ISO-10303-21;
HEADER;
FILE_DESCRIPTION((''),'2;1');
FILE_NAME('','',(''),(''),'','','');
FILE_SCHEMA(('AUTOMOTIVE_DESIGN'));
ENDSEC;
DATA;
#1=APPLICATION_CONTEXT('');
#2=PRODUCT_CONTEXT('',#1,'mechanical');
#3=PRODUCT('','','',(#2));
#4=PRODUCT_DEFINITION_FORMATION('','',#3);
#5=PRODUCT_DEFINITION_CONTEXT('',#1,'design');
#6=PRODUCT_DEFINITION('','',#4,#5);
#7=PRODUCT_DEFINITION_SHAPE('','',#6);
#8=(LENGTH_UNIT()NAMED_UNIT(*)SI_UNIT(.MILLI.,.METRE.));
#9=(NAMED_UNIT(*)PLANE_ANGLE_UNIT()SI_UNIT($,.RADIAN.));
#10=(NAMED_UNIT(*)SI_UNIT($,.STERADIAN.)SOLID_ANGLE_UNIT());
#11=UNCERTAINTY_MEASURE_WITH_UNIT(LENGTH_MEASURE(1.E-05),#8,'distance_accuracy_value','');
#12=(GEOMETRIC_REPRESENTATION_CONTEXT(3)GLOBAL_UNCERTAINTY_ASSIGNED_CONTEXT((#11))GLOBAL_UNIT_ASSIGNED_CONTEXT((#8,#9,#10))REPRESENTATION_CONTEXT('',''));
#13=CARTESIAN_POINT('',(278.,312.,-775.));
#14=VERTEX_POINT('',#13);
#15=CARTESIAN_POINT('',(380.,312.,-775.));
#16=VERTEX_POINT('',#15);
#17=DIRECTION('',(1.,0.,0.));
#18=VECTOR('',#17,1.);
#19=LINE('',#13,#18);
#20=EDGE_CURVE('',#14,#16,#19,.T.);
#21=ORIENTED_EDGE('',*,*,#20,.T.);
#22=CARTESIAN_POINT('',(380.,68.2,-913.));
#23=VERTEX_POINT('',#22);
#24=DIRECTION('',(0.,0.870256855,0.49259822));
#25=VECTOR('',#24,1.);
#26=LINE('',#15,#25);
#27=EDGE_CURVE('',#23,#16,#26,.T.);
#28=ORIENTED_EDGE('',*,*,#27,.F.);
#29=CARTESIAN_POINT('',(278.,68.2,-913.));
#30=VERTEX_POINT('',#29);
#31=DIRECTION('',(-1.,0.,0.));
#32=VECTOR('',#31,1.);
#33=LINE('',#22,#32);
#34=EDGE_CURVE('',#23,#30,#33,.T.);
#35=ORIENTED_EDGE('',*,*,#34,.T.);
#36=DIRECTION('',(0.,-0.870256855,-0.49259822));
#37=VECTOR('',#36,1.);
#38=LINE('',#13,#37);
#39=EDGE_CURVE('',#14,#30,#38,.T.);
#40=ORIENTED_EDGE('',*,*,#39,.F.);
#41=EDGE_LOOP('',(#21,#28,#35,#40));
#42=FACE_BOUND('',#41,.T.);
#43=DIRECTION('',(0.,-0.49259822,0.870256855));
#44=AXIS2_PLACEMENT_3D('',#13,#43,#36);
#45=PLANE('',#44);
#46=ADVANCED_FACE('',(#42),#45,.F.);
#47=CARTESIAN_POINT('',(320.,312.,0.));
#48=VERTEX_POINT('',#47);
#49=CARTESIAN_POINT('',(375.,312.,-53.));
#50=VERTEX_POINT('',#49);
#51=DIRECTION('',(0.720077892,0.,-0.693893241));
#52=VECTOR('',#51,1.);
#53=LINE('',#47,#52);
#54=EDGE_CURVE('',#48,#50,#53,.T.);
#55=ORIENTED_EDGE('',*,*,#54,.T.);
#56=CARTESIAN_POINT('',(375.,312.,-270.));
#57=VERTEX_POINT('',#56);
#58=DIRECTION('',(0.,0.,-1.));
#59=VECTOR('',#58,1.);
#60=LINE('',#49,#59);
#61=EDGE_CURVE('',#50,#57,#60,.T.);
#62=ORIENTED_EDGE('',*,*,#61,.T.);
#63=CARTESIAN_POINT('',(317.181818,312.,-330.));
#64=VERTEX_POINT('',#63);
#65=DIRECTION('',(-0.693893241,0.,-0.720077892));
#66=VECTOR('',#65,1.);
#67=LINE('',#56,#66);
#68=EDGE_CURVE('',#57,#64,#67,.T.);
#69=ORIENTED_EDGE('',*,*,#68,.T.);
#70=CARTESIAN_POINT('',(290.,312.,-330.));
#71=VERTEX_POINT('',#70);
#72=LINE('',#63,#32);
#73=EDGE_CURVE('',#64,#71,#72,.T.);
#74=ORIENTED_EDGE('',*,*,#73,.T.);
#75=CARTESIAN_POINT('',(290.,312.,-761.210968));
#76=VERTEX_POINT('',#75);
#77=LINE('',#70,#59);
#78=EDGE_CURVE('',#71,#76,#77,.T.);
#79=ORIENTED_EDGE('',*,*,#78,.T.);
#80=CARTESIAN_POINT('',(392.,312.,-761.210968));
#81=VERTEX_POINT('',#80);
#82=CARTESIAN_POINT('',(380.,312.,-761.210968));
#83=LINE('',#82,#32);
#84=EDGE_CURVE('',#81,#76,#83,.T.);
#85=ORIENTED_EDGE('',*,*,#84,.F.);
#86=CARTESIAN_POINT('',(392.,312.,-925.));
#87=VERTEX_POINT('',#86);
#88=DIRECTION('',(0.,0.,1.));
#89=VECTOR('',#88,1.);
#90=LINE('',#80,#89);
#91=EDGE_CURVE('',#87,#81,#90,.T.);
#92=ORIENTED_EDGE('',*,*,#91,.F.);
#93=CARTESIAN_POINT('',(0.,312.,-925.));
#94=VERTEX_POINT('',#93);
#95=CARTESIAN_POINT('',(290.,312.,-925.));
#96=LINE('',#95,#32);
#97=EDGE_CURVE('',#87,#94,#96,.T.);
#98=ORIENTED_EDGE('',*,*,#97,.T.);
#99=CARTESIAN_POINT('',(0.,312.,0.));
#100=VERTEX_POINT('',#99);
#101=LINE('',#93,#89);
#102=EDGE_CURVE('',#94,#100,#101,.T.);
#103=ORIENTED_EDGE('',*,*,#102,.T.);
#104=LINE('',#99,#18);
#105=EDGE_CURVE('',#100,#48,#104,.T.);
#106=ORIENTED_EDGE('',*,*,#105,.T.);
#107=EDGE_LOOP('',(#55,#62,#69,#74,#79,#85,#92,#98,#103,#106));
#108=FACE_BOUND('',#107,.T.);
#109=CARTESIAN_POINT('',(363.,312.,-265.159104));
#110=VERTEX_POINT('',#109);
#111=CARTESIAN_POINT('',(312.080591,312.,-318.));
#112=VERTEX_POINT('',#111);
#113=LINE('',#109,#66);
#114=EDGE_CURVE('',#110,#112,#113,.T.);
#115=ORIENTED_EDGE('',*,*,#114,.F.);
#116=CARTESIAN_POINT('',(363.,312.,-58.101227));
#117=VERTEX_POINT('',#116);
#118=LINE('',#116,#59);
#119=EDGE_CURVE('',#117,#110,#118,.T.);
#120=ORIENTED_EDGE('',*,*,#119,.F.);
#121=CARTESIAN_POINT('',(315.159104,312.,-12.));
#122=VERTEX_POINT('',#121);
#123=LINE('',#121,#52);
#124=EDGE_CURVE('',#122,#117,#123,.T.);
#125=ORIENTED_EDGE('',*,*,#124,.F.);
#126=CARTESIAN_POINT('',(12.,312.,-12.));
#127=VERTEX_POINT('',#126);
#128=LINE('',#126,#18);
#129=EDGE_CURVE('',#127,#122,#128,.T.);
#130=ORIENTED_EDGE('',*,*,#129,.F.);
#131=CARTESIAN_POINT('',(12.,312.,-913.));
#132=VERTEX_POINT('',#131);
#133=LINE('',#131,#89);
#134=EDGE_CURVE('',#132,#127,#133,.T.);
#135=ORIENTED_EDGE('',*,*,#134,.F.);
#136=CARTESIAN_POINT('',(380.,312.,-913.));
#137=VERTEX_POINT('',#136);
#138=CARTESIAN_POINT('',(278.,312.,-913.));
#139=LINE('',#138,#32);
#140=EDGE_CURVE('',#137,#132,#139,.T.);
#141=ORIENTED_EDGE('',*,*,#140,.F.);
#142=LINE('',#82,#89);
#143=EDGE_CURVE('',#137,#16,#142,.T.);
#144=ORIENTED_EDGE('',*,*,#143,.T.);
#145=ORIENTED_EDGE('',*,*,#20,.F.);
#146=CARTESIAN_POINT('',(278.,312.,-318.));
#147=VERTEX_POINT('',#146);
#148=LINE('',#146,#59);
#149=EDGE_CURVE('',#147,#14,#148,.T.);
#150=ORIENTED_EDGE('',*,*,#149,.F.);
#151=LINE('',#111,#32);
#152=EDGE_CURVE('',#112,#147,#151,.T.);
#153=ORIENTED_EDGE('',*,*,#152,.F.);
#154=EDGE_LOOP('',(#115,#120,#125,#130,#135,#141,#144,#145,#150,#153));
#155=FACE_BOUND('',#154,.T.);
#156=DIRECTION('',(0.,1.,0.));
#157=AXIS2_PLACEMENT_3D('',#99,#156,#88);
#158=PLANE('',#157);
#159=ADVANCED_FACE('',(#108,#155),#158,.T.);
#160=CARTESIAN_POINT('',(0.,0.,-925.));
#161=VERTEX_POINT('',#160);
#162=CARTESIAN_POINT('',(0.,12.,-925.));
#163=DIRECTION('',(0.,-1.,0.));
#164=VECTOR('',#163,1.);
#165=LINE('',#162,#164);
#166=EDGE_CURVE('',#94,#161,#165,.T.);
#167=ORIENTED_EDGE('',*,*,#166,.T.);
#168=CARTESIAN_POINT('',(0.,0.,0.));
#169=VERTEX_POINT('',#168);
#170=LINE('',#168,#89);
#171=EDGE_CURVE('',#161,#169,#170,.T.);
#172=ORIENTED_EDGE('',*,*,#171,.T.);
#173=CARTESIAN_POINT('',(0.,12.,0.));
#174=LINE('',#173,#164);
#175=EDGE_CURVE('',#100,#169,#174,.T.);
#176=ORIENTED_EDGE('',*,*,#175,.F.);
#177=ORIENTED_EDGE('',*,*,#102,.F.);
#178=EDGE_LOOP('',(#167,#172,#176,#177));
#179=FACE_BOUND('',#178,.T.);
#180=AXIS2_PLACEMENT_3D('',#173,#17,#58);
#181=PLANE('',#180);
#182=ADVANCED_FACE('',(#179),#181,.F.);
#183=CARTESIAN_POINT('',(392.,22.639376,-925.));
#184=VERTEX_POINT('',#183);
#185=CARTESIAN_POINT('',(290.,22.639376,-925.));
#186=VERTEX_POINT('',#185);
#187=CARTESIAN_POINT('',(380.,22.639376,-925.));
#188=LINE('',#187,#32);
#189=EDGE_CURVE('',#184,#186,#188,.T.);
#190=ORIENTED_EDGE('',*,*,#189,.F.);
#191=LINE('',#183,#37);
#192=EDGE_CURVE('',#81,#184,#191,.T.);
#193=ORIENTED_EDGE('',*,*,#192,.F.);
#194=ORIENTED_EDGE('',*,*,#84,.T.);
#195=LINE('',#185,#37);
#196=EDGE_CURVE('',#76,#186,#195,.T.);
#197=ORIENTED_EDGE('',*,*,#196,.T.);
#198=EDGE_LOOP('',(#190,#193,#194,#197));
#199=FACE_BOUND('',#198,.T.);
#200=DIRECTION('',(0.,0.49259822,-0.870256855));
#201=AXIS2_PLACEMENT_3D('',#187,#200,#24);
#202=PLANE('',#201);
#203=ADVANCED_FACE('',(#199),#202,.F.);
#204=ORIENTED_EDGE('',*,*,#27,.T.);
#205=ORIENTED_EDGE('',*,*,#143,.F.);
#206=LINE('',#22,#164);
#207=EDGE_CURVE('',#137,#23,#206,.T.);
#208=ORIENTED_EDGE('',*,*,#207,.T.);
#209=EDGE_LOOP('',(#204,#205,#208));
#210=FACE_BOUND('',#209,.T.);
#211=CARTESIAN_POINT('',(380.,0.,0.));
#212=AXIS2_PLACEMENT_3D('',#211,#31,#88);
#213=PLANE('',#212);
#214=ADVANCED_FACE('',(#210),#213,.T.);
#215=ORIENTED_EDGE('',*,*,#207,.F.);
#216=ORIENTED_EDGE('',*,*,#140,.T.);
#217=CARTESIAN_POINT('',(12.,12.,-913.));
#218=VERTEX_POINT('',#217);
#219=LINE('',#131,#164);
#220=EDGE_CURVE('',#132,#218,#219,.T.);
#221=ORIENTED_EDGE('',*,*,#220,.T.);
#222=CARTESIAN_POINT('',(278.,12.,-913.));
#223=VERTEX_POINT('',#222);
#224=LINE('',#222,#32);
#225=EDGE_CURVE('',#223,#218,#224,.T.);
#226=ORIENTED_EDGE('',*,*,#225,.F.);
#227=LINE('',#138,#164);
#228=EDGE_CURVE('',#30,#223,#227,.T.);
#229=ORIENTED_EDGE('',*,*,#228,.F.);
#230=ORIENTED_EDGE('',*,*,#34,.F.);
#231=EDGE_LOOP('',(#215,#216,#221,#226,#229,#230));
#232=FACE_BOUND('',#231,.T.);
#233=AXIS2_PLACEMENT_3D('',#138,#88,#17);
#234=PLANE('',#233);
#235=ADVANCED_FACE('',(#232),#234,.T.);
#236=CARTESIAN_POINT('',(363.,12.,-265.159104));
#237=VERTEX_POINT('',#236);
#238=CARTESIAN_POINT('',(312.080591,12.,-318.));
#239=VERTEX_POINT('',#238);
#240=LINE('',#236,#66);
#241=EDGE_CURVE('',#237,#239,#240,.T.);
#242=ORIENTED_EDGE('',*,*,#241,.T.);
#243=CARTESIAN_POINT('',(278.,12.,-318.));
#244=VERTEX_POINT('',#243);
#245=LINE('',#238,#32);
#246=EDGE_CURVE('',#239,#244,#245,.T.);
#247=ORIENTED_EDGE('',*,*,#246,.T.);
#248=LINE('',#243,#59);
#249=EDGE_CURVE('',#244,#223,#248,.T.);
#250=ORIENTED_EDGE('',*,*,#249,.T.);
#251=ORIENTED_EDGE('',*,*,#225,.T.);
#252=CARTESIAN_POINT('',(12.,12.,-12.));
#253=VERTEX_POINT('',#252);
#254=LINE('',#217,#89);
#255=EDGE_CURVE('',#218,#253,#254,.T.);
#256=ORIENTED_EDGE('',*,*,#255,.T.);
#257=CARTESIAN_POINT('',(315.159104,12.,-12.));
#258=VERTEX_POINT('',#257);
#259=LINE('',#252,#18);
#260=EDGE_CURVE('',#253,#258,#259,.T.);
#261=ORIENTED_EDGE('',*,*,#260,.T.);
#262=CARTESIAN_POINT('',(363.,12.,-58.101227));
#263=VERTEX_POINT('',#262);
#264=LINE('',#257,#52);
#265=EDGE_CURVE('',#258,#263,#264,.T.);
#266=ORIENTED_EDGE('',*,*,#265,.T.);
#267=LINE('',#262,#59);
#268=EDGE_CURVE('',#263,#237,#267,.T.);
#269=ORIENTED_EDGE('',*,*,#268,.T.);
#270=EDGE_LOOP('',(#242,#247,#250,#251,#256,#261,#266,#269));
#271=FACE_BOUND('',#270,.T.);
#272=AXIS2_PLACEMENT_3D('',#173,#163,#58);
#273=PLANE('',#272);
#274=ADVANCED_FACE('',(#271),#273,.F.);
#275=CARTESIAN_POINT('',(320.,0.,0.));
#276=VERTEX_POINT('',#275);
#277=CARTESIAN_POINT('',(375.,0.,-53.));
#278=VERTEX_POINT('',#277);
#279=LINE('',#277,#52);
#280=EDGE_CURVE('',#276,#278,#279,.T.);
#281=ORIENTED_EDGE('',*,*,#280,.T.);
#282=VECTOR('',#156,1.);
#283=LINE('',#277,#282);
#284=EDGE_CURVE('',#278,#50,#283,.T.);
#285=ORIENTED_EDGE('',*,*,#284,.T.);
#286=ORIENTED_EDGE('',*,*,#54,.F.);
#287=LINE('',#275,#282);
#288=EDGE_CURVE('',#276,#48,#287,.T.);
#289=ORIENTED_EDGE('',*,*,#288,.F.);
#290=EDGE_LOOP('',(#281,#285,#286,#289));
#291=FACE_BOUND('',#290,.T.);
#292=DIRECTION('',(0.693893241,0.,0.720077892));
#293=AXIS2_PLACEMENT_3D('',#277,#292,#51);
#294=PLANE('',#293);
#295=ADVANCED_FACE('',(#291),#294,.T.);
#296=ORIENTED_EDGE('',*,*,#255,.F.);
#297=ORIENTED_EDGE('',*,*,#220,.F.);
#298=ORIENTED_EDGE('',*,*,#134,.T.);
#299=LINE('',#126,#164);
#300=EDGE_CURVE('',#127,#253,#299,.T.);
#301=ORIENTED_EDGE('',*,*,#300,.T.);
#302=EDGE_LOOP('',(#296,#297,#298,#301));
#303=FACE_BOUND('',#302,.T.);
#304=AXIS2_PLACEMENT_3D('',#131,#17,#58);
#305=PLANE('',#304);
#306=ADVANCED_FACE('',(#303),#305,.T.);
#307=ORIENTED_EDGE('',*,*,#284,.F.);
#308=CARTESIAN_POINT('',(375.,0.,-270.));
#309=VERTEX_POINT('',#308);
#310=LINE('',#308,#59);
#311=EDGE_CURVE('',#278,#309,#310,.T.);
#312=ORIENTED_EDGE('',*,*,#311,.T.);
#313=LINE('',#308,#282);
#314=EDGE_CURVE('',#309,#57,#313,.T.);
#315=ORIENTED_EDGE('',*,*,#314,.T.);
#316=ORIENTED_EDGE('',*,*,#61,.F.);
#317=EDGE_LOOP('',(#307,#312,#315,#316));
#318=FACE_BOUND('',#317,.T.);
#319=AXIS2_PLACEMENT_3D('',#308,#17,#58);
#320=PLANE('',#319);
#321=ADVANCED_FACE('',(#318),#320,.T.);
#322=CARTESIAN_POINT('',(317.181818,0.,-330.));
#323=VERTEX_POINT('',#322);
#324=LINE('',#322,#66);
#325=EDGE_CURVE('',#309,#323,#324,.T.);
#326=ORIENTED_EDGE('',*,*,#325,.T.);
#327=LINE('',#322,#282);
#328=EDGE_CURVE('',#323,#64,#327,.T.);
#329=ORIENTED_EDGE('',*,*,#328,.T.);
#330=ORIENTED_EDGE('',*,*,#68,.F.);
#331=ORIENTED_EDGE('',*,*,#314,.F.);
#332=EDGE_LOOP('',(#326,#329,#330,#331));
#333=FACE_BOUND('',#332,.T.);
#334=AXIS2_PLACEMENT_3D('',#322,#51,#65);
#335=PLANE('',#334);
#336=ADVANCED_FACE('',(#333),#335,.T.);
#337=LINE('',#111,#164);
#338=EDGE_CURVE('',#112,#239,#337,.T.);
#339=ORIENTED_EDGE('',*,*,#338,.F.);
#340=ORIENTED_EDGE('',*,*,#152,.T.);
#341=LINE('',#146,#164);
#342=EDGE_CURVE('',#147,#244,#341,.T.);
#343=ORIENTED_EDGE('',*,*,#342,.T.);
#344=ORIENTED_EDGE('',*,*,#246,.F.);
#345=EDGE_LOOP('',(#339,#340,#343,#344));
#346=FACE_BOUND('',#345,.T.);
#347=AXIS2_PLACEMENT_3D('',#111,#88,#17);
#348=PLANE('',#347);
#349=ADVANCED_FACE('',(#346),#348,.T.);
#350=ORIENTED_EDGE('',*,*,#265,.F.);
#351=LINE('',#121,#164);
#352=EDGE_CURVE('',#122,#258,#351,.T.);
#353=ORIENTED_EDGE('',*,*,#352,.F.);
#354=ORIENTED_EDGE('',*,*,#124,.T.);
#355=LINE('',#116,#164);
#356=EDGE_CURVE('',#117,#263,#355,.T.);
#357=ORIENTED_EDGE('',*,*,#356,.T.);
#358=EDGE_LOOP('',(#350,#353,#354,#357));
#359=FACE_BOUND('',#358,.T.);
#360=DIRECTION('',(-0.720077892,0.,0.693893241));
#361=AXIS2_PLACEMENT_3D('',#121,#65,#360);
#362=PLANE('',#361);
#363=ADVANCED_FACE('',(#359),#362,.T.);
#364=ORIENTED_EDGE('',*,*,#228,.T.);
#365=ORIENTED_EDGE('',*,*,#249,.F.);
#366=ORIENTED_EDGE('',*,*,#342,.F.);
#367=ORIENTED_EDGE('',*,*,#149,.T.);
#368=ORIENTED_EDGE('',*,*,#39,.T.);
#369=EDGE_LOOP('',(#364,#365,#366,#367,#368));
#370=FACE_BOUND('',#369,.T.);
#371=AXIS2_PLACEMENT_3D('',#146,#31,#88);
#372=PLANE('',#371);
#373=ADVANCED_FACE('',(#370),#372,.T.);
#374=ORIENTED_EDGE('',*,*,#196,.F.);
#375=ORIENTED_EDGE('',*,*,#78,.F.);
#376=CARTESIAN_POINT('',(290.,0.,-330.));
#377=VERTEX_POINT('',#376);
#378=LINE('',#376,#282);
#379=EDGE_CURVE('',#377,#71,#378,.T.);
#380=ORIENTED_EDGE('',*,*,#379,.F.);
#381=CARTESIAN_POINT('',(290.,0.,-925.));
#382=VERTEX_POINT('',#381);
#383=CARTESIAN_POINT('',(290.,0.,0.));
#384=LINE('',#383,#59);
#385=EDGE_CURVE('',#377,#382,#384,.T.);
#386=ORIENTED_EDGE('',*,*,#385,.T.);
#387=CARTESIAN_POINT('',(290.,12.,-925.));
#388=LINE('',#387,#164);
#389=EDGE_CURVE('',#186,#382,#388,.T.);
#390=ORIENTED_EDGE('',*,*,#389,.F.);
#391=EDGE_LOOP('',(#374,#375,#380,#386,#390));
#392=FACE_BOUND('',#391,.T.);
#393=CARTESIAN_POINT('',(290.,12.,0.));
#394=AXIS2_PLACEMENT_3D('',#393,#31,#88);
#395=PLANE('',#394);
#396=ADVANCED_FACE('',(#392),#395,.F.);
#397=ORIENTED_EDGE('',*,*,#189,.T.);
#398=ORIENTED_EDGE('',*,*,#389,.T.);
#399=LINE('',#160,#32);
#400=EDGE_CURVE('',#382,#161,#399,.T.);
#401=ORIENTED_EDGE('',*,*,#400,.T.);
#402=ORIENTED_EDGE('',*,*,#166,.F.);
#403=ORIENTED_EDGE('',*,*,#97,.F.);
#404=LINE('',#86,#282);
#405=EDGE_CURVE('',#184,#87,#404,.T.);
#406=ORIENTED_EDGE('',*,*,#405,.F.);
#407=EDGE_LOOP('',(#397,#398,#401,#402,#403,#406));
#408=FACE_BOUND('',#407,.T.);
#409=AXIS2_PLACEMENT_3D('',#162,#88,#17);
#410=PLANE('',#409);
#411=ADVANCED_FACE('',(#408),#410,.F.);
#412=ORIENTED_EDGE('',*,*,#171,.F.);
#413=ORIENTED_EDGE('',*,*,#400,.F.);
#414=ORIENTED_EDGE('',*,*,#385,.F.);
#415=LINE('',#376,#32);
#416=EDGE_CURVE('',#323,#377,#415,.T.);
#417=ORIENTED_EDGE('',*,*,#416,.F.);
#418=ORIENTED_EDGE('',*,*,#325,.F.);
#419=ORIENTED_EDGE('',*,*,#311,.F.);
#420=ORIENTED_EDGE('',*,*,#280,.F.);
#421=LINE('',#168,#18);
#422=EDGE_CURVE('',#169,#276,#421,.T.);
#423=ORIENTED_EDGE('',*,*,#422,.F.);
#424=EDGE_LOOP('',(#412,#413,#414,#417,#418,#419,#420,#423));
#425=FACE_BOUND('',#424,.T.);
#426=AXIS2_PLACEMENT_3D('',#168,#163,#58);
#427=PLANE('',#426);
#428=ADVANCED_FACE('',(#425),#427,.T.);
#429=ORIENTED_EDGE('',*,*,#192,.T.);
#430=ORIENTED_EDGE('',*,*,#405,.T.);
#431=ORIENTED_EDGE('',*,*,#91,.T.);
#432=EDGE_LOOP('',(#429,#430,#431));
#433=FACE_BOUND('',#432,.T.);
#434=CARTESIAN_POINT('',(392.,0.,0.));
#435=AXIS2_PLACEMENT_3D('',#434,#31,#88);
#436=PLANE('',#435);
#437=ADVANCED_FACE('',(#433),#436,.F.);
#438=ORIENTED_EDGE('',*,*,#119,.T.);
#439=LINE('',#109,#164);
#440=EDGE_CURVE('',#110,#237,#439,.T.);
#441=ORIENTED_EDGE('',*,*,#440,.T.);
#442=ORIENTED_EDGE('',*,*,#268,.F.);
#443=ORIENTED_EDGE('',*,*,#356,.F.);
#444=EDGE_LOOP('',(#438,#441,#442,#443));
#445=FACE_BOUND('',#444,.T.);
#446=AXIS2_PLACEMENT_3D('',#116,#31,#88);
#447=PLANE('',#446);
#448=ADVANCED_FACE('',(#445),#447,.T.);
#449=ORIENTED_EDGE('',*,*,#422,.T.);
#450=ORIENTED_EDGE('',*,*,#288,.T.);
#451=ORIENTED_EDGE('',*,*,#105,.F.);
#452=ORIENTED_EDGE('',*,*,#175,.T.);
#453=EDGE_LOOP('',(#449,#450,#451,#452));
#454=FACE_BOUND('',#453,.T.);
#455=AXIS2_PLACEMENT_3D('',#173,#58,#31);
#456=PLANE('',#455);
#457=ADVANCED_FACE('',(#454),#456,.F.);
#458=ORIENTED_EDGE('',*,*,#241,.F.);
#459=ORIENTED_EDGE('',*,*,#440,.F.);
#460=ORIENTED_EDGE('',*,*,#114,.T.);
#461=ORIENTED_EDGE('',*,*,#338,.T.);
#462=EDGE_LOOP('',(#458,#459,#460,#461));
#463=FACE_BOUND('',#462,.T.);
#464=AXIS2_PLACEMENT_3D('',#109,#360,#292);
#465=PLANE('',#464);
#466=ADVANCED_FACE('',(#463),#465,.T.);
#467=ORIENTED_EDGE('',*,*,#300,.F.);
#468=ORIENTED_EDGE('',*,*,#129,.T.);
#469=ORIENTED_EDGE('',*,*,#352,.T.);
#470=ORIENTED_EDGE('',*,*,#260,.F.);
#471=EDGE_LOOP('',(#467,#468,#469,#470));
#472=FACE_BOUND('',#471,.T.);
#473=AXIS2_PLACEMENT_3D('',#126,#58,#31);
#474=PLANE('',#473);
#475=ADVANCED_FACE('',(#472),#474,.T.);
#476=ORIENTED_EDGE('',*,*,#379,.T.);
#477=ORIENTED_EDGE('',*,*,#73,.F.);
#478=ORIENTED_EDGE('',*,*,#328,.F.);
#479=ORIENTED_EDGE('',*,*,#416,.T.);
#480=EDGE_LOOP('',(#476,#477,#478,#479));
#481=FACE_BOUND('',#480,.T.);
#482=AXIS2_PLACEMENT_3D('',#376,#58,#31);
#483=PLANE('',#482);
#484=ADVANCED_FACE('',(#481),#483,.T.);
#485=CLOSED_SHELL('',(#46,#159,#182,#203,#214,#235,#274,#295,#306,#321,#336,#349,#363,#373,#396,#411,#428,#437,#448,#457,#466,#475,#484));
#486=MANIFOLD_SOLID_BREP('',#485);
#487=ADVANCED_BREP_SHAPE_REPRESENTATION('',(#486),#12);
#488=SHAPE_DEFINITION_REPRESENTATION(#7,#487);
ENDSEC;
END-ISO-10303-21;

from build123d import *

# Parameters (mm, degrees)
SKETCH_1_W          = 290
SKETCH_1_H          = 925
EXTRUDE_1_DEPTH     = 12
EXTRUDE_3_DEPTH     = 12
EXTRUDE_4_DEPTH     = 300
CUT_EXTRUDE_1_DEPTH = 12
EXTRUDE_5_DEPTH     = 90
EXTRUDE_6_DEPTH     = 102
EXTRUDE_7_DEPTH     = 12


with BuildPart() as part:
    # 草图1 → 凸台-拉伸1 (new body)
    with BuildSketch(Plane(origin=(0, 0, 0), x_dir=(1, 0, 0), z_dir=(0, 1, 0))):
        with Locations((145, 462.5)):
            Rectangle(SKETCH_1_W, SKETCH_1_H)
    extrude(amount=EXTRUDE_1_DEPTH)

    # 草图3 → 凸台-拉伸3 (add)
    with BuildSketch(Plane(origin=(0, 12, 0), x_dir=(1, 0, 0), z_dir=(0, 1, 0))):
        Polygon((290, 330), (317.181818182, 330), (375, 270), (375, 53), (320, 0), (290, 0), align=None)
    extrude(amount=-EXTRUDE_3_DEPTH)

    # 草图4 → 凸台-拉伸4 (add)
    with BuildSketch(Plane(origin=(0, 12, 0), x_dir=(1, 0, 0), z_dir=(0, 1, 0))):
        Polygon((0, 925), (0, 0), (320, 0), (375, 53), (375, 270), (317.181818182, 330), (290, 330), (290, 925), align=None)
        Polygon((12, 913), (12, 12), (315.159103589, 12), (363, 58.101227451), (363, 265.159103589), (312.080590731, 318), (278, 318), (278, 913), align=None, mode=Mode.SUBTRACT)
    extrude(amount=EXTRUDE_4_DEPTH)

    # 草图5 → 切除-拉伸1 (cut)
    with BuildSketch(Plane(origin=(290, 0, 0), x_dir=(0, 0, -1), z_dir=(1, 0, 0))):
        Polygon((775, 312), (925, 47), (925, 312), align=None)
    extrude(amount=-CUT_EXTRUDE_1_DEPTH, mode=Mode.SUBTRACT)

    # 草图7 → 凸台-拉伸5 (add)
    with BuildSketch(Plane(origin=(290, 0, 0), x_dir=(0, 0, -1), z_dir=(1, 0, 0))):
        Polygon((775, 312), (925, 47), (925, 22.639376034), (761.210967567, 312), align=None)
    extrude(amount=EXTRUDE_5_DEPTH)

    # 草图8 → 凸台-拉伸6 (add)
    with BuildSketch(Plane(origin=(278, 0, 0), x_dir=(0, 0, -1), z_dir=(1, 0, 0))):
        Polygon((925, 312), (925, 47), (913, 68.2), (913, 312), align=None)
    extrude(amount=EXTRUDE_6_DEPTH)

    # 草图9 → 凸台-拉伸7 (add)
    with BuildSketch(Plane(origin=(380, 0, 0), x_dir=(0, 0, -1), z_dir=(1, 0, 0))):
        Polygon((761.210967567, 312), (925, 312), (925, 22.639376034), align=None)
    extrude(amount=EXTRUDE_7_DEPTH)


solid = part.part
